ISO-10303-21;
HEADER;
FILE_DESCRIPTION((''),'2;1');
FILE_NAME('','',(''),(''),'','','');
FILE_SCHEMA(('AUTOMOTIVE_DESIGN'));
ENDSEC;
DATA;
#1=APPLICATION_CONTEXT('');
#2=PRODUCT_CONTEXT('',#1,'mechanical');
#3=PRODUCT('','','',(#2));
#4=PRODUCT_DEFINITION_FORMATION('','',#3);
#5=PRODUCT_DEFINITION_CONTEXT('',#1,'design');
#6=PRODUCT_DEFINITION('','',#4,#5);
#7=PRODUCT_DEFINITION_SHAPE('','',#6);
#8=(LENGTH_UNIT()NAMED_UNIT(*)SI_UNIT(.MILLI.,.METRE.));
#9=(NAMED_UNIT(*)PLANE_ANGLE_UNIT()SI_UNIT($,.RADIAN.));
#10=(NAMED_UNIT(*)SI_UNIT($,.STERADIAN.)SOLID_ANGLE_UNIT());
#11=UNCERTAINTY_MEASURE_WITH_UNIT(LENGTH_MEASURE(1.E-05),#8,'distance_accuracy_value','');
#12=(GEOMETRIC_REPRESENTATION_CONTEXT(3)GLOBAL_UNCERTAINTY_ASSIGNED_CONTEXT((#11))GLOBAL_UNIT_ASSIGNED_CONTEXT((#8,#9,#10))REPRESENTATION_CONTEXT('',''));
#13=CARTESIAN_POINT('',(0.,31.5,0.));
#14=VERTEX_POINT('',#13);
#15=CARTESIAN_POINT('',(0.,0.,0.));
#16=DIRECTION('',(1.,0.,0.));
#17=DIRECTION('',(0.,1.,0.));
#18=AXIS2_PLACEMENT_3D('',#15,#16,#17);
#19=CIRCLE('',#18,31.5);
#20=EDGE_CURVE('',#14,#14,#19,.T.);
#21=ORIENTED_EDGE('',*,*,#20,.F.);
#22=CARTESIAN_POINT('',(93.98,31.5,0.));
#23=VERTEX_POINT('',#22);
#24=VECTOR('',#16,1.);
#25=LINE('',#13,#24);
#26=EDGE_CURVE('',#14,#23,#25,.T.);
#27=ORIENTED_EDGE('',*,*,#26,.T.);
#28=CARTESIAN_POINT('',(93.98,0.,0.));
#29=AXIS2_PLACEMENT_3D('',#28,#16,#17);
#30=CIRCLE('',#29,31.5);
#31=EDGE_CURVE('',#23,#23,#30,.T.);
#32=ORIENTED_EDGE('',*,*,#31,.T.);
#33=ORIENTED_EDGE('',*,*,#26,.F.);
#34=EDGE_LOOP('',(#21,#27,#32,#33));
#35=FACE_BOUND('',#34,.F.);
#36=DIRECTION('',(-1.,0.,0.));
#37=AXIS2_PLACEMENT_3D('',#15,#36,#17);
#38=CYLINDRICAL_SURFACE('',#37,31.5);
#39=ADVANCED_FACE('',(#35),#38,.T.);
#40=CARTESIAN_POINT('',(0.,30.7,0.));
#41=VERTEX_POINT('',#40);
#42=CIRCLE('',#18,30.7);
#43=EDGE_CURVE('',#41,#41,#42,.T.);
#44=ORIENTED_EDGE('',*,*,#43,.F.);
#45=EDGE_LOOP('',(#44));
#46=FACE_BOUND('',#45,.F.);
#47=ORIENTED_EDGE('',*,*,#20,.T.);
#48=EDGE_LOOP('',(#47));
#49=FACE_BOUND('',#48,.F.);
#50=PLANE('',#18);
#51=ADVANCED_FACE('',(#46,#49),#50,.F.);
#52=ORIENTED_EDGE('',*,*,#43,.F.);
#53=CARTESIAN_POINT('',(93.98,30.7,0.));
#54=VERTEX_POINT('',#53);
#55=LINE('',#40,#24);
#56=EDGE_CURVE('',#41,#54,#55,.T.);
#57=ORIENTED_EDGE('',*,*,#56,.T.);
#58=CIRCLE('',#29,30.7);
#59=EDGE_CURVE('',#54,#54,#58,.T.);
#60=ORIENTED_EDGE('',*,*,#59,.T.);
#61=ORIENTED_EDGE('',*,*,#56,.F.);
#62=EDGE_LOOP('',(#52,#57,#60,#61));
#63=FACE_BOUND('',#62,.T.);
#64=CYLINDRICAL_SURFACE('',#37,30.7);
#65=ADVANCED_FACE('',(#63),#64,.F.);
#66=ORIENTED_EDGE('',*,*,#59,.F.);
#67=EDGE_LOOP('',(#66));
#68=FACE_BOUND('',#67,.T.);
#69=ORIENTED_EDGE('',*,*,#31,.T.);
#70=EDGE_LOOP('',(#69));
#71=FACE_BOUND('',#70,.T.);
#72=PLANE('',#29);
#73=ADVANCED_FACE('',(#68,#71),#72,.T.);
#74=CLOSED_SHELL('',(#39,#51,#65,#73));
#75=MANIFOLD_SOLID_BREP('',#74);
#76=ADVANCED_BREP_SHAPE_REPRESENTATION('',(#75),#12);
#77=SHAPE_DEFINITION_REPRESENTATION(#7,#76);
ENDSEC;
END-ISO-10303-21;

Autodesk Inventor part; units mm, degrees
ref_plane "YZ Plane" through (0, 0, 0) normal (1, 0, 0) x (0, 1, 0)
ref_plane "XZ Plane" through (0, 0, 0) normal (0, 1, 0) x (-1, 0, 0)
ref_plane "XY Plane" through (0, 0, 0) normal (0, 0, 1) x (1, 0, 0)
sketch "Sketch1" plane through (0, 0, 0) normal (1, 0, 0) x (0, 1, 0)
  circle A0 centre (0, 0) radius 31.5
  circle A1 centre (0, 0) radius 30.7
  dimension "d0" = 63
  dimension "d1" = 0.8
extrude "Extrusion1" add sketch "Sketch1" along normal blind 93.98
equation "\"d0\" = OD"
equation "\"d1\" = t"
equation "\"d2\" = L"
equation "\"OD\" = 63"
equation "\"t\" = 0.8"
equation "\"L\" = PL"
equation "\"ID\" = 61.4"
equation "\"PL\" = 93.98"
properties part number "ISO 4065 Pipe DN63x0.8xS40 - 93.98000000" material "PVC-Piping"
